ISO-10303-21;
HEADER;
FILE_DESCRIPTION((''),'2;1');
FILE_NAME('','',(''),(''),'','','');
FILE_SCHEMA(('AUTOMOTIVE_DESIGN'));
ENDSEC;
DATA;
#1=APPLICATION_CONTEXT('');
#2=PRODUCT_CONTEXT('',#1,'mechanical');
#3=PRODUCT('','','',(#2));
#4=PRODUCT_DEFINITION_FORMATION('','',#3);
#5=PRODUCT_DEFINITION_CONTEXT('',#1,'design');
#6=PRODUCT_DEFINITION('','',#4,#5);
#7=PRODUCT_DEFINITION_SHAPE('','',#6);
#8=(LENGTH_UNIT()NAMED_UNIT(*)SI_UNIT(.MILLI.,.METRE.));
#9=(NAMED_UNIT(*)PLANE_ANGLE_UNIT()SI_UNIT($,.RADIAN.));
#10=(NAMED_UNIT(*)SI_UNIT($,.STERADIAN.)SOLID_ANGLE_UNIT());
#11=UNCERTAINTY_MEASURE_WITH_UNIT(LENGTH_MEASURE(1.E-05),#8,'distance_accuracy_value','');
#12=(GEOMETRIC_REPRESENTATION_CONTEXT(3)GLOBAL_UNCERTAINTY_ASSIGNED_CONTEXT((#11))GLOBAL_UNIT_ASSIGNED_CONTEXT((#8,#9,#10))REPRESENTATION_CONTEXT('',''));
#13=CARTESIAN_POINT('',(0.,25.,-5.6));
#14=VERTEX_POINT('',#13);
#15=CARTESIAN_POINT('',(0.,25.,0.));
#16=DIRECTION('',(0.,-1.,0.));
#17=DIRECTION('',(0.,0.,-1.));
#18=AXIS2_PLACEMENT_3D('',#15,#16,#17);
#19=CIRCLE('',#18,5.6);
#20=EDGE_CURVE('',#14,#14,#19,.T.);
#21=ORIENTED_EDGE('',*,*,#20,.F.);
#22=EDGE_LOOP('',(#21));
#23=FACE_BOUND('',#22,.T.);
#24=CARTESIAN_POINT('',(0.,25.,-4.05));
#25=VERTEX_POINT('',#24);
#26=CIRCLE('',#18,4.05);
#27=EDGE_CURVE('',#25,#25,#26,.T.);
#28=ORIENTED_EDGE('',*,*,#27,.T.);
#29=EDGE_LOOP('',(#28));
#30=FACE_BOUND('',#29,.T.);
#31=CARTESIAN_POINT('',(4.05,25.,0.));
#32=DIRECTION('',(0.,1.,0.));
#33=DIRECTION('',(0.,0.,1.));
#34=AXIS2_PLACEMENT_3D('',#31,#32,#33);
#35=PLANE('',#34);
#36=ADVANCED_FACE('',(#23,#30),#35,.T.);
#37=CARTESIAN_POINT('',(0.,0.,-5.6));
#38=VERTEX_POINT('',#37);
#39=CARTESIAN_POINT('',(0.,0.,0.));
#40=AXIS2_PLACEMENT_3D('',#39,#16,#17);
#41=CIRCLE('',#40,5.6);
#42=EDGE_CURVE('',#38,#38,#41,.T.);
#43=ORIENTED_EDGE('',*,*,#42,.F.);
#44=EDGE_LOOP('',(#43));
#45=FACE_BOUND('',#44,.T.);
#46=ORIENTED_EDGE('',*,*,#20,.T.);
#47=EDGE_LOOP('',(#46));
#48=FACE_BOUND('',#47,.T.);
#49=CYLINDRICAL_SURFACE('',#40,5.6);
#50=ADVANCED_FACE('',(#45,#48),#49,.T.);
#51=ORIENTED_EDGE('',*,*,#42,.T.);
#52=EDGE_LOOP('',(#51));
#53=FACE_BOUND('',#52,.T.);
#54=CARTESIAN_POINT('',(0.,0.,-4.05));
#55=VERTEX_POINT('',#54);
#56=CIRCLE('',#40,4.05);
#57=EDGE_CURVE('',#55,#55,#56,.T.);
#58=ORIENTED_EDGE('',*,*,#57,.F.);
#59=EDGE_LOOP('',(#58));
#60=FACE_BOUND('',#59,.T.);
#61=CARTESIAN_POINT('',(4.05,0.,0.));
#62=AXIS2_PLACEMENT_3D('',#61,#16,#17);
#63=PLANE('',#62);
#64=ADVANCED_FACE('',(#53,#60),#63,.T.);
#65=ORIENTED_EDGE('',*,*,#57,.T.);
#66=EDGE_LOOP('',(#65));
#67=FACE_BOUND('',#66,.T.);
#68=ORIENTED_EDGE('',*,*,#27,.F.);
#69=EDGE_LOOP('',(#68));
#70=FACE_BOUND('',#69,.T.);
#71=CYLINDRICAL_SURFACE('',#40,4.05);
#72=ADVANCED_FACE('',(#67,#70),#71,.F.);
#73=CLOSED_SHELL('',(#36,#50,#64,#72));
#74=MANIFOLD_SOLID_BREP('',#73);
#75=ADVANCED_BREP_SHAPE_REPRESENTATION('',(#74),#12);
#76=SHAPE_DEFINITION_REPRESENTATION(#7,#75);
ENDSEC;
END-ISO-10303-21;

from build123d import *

# Parameters (mm, degrees)
SKETCH1_W = 1.55
SKETCH1_H = 25


with BuildPart() as part:
    # Sketch1 → Revolve1 (revolve)
    with BuildSketch(Plane.XY, mode=Mode.PRIVATE) as revolve1_sk:
        with Locations((4.825, 12.5)):
            Rectangle(SKETCH1_W, SKETCH1_H)
    revolve(revolve1_sk.sketch.rotate(Axis((0, 0, 0), (0, 1, 0)), 90), axis=Axis((0, 0, 0), (0, 1, 0)))


solid = part.part
